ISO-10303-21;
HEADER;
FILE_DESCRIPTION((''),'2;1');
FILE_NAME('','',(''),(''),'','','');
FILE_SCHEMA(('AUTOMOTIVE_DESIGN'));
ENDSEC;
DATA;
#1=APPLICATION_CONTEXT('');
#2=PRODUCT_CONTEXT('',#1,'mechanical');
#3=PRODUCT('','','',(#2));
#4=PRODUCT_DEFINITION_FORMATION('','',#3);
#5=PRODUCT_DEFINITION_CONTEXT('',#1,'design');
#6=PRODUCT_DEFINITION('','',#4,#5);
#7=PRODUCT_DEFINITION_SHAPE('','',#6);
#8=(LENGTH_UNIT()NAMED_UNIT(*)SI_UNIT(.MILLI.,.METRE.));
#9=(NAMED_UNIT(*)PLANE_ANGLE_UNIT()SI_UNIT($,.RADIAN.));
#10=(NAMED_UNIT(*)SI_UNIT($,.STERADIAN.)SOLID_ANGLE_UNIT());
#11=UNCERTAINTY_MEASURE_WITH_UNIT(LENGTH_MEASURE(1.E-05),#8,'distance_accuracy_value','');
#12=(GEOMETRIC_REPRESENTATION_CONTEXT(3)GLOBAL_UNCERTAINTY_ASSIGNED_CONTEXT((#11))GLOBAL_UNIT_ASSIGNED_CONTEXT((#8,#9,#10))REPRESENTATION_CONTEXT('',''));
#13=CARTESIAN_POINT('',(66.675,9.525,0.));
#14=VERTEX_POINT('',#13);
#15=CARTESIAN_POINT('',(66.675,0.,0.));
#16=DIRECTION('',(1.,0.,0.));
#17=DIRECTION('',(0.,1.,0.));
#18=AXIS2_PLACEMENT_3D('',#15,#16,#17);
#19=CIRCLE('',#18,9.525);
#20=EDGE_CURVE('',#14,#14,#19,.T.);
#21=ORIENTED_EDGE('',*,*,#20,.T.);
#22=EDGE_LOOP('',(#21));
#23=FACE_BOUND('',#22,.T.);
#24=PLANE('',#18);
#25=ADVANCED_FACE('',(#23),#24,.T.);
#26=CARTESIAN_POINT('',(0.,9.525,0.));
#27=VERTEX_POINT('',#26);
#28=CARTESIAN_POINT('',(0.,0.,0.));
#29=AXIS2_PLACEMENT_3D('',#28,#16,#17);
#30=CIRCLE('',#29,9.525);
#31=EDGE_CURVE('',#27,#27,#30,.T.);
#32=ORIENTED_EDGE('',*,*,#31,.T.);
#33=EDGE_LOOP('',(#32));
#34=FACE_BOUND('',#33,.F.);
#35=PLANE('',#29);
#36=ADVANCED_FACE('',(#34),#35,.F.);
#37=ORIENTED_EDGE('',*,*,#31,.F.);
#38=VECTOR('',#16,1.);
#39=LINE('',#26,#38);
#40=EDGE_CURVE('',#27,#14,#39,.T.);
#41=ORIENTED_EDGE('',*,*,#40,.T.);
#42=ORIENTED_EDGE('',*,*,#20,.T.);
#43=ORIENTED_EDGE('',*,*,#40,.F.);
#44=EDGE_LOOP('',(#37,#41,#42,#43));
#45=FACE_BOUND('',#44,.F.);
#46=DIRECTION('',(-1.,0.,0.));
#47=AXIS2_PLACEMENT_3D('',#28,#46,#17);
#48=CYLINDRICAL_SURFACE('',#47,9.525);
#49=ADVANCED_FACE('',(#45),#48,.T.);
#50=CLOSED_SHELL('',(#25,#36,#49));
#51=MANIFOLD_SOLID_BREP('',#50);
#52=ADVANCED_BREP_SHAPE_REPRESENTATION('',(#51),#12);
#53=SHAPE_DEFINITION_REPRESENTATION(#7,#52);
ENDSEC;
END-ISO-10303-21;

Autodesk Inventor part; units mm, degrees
ref_plane "YZ Plane" through (0, 0, 0) normal (1, 0, 0) x (0, 1, 0)
ref_plane "XZ Plane" through (0, 0, 0) normal (0, 1, 0) x (-1, 0, 0)
sketch "Sketch2" plane through (0, 0, 0) normal (1, 0, 0) x (0, 1, 0)
  circle A0 centre (0, 0) radius 9.525 projected
  point P0 (0, 0)
ref_plane "Work Plane1" through (66.675, -9.525, -9.525) normal (1, 0, 0) x (0, 1, 0)
extrude "Extrusion2" add sketch "Sketch2" along normal up to surface (66.675 mm away)
properties part number "UpperArmActuatorShaftBoundingBox"
